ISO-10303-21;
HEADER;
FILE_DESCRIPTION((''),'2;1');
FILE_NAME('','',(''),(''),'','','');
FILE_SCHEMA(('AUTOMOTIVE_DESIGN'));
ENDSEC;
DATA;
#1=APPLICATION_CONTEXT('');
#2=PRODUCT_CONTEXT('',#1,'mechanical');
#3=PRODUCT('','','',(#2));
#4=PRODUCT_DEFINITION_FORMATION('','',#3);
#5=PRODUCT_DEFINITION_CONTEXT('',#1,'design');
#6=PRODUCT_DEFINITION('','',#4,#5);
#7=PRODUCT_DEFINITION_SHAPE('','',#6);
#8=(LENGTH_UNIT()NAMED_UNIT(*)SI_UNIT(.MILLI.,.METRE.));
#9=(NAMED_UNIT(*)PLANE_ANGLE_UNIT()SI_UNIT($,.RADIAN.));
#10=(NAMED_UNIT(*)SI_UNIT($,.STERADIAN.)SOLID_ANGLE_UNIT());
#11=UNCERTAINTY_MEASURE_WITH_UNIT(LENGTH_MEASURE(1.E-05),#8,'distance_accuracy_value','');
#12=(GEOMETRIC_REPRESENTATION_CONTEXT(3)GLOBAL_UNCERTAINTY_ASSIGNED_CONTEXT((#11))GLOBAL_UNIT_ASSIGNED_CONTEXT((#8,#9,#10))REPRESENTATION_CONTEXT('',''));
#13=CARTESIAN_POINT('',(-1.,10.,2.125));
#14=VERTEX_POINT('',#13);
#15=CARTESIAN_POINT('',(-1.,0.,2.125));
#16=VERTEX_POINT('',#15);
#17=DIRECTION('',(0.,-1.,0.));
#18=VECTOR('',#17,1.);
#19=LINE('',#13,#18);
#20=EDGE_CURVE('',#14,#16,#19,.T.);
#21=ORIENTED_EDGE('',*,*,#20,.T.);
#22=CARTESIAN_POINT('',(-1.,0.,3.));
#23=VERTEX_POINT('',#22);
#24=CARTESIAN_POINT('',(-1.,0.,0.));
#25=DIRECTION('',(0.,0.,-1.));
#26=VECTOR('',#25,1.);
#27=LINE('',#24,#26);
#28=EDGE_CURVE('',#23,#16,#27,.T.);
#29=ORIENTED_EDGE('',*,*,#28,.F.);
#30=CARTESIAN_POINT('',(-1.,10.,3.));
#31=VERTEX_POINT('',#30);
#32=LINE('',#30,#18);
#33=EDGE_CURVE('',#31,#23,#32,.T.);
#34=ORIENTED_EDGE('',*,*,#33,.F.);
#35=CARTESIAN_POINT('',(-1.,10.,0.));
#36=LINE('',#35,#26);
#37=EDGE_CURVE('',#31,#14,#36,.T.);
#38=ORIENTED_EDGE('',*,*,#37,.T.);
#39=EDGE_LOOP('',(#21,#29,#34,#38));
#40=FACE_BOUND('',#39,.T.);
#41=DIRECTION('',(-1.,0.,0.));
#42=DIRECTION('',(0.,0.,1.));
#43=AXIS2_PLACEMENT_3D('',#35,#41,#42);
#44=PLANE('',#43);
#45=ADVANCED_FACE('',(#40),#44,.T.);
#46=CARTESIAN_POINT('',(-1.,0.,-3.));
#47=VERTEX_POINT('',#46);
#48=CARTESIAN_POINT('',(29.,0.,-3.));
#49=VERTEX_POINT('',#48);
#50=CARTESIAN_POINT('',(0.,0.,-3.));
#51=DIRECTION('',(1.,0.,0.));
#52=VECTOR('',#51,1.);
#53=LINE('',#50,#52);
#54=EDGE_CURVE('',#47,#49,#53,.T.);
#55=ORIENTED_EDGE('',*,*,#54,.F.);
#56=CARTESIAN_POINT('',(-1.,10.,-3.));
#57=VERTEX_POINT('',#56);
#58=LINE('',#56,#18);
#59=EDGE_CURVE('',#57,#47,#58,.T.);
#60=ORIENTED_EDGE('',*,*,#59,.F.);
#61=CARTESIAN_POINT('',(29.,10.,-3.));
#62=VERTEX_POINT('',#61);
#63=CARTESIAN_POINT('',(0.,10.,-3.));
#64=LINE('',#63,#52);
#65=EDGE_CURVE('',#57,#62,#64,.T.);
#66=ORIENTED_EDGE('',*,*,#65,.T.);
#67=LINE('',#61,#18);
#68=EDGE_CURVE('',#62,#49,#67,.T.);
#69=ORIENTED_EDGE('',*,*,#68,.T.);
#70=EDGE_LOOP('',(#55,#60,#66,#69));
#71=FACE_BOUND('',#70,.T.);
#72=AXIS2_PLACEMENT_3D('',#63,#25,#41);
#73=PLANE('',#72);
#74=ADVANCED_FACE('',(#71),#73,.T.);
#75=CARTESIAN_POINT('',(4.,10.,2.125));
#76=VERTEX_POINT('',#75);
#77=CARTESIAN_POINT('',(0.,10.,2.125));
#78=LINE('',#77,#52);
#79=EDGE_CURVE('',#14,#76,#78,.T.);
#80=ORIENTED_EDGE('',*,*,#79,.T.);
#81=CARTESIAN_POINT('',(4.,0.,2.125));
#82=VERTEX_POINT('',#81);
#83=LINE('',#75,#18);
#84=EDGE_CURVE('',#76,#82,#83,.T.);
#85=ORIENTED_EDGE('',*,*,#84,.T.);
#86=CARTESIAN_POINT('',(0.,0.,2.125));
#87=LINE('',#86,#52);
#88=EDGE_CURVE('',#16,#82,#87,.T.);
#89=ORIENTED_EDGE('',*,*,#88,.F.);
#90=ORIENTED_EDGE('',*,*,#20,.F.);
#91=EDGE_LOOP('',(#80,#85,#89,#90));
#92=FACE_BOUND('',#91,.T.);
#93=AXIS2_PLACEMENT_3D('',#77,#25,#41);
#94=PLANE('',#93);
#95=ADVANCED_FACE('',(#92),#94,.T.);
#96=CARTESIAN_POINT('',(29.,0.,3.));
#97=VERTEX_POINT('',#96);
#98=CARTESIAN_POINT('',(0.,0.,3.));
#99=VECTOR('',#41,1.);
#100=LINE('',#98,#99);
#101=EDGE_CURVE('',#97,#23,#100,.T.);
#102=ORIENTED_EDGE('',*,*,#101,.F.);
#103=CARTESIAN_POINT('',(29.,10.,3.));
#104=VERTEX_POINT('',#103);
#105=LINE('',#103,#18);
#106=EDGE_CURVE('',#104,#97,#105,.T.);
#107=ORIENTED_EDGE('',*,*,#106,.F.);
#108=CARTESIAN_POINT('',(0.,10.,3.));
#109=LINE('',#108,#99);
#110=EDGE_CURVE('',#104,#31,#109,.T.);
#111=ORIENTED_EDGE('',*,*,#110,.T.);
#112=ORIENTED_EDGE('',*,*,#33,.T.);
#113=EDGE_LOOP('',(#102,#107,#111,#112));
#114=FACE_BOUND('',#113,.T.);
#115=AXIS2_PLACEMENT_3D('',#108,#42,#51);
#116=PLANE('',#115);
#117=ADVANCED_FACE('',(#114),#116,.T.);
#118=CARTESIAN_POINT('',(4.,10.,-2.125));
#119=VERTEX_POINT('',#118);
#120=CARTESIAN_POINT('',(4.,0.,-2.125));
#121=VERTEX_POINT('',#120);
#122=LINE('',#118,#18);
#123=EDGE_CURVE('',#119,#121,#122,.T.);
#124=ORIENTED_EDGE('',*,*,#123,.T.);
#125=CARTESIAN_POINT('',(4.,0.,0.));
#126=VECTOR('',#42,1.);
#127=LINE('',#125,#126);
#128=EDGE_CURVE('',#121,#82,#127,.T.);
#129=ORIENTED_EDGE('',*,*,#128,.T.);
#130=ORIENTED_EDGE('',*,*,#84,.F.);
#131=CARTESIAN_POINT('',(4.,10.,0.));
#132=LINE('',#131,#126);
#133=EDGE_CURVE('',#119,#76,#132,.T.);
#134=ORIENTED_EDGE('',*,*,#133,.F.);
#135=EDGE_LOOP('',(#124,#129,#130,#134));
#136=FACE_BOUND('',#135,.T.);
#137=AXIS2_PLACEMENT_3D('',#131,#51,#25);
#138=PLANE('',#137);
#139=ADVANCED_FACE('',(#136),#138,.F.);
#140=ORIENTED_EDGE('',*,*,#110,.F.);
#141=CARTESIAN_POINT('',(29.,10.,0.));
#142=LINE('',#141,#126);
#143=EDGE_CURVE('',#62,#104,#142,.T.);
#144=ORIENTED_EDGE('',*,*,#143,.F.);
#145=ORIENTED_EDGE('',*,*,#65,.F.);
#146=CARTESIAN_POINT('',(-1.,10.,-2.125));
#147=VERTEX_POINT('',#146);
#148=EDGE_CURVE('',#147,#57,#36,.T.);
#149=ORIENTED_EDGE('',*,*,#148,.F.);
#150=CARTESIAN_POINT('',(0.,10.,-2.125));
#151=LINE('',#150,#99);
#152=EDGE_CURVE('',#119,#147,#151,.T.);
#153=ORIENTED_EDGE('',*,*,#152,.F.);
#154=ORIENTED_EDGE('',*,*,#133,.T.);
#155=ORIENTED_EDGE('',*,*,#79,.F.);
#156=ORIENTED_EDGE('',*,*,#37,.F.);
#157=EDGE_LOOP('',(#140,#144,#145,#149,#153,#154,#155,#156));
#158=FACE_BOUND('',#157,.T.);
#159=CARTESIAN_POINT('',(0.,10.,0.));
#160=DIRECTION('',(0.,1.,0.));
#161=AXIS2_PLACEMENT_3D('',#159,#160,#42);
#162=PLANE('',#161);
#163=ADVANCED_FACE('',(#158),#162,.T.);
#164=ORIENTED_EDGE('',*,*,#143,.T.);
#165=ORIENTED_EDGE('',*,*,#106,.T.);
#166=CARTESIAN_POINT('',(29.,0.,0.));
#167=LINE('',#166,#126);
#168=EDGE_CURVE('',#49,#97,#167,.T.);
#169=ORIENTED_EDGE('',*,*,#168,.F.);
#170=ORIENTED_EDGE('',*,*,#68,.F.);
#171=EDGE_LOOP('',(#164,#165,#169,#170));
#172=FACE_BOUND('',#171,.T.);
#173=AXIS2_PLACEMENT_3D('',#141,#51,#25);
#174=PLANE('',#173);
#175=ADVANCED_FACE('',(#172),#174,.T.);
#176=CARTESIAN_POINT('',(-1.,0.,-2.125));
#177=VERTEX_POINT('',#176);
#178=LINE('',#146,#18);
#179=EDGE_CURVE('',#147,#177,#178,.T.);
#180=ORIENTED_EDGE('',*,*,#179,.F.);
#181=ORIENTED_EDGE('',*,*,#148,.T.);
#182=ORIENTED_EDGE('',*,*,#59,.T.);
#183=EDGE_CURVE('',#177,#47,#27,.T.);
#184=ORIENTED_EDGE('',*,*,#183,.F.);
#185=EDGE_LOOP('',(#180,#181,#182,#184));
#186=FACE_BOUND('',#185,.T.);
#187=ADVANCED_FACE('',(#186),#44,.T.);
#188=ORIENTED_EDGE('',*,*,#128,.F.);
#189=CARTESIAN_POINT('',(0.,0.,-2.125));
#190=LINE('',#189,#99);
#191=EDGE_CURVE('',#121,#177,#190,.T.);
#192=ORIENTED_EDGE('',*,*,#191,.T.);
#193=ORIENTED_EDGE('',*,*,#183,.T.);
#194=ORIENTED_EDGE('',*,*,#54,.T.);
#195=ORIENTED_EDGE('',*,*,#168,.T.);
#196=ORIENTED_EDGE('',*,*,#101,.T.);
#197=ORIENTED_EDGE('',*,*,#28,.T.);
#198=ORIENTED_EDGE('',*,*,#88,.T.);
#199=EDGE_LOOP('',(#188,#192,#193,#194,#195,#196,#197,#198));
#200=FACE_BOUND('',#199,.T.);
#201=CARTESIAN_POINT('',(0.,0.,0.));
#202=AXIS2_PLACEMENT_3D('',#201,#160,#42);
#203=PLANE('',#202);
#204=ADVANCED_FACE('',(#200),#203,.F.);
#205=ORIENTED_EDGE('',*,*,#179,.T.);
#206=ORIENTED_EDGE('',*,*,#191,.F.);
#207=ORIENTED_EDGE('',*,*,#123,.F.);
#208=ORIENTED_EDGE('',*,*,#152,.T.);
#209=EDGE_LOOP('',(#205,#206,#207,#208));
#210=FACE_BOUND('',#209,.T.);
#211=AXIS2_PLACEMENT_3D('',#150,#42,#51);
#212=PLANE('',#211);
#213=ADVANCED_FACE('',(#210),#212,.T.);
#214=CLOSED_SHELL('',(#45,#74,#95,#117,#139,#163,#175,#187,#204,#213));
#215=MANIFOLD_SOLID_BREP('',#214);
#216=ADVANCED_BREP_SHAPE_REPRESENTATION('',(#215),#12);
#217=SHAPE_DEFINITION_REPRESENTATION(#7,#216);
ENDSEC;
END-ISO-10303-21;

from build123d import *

# Parameters (mm, degrees)
SKETCH1_W           = 30
SKETCH1_H           = 6
BOSS_EXTRUDE1_DEPTH = 10
SKETCH1_4_W         = 5
SKETCH1_4_H         = 4.25
CUT_EXTRUDE1_DEPTH  = 31.822070015


with BuildPart() as part:
    # Sketch1 → Boss-Extrude1 (new body)
    with BuildSketch(Plane(origin=(0, 0, 0), x_dir=(1, 0, 0), z_dir=(0, 1, 0))):
        with Locations((14, 0)):
            Rectangle(SKETCH1_W, SKETCH1_H)
    extrude(amount=BOSS_EXTRUDE1_DEPTH)

    # Sketch1<4> → Cut-Extrude1 (cut, through all)
    with BuildSketch(Plane(origin=(0, 0, 0), x_dir=(1, 0, 0), z_dir=(0, 1, 0))):
        with Locations((1.5, 0)):
            Rectangle(SKETCH1_4_W, SKETCH1_4_H)
    extrude(amount=CUT_EXTRUDE1_DEPTH, mode=Mode.SUBTRACT)


solid = part.part
